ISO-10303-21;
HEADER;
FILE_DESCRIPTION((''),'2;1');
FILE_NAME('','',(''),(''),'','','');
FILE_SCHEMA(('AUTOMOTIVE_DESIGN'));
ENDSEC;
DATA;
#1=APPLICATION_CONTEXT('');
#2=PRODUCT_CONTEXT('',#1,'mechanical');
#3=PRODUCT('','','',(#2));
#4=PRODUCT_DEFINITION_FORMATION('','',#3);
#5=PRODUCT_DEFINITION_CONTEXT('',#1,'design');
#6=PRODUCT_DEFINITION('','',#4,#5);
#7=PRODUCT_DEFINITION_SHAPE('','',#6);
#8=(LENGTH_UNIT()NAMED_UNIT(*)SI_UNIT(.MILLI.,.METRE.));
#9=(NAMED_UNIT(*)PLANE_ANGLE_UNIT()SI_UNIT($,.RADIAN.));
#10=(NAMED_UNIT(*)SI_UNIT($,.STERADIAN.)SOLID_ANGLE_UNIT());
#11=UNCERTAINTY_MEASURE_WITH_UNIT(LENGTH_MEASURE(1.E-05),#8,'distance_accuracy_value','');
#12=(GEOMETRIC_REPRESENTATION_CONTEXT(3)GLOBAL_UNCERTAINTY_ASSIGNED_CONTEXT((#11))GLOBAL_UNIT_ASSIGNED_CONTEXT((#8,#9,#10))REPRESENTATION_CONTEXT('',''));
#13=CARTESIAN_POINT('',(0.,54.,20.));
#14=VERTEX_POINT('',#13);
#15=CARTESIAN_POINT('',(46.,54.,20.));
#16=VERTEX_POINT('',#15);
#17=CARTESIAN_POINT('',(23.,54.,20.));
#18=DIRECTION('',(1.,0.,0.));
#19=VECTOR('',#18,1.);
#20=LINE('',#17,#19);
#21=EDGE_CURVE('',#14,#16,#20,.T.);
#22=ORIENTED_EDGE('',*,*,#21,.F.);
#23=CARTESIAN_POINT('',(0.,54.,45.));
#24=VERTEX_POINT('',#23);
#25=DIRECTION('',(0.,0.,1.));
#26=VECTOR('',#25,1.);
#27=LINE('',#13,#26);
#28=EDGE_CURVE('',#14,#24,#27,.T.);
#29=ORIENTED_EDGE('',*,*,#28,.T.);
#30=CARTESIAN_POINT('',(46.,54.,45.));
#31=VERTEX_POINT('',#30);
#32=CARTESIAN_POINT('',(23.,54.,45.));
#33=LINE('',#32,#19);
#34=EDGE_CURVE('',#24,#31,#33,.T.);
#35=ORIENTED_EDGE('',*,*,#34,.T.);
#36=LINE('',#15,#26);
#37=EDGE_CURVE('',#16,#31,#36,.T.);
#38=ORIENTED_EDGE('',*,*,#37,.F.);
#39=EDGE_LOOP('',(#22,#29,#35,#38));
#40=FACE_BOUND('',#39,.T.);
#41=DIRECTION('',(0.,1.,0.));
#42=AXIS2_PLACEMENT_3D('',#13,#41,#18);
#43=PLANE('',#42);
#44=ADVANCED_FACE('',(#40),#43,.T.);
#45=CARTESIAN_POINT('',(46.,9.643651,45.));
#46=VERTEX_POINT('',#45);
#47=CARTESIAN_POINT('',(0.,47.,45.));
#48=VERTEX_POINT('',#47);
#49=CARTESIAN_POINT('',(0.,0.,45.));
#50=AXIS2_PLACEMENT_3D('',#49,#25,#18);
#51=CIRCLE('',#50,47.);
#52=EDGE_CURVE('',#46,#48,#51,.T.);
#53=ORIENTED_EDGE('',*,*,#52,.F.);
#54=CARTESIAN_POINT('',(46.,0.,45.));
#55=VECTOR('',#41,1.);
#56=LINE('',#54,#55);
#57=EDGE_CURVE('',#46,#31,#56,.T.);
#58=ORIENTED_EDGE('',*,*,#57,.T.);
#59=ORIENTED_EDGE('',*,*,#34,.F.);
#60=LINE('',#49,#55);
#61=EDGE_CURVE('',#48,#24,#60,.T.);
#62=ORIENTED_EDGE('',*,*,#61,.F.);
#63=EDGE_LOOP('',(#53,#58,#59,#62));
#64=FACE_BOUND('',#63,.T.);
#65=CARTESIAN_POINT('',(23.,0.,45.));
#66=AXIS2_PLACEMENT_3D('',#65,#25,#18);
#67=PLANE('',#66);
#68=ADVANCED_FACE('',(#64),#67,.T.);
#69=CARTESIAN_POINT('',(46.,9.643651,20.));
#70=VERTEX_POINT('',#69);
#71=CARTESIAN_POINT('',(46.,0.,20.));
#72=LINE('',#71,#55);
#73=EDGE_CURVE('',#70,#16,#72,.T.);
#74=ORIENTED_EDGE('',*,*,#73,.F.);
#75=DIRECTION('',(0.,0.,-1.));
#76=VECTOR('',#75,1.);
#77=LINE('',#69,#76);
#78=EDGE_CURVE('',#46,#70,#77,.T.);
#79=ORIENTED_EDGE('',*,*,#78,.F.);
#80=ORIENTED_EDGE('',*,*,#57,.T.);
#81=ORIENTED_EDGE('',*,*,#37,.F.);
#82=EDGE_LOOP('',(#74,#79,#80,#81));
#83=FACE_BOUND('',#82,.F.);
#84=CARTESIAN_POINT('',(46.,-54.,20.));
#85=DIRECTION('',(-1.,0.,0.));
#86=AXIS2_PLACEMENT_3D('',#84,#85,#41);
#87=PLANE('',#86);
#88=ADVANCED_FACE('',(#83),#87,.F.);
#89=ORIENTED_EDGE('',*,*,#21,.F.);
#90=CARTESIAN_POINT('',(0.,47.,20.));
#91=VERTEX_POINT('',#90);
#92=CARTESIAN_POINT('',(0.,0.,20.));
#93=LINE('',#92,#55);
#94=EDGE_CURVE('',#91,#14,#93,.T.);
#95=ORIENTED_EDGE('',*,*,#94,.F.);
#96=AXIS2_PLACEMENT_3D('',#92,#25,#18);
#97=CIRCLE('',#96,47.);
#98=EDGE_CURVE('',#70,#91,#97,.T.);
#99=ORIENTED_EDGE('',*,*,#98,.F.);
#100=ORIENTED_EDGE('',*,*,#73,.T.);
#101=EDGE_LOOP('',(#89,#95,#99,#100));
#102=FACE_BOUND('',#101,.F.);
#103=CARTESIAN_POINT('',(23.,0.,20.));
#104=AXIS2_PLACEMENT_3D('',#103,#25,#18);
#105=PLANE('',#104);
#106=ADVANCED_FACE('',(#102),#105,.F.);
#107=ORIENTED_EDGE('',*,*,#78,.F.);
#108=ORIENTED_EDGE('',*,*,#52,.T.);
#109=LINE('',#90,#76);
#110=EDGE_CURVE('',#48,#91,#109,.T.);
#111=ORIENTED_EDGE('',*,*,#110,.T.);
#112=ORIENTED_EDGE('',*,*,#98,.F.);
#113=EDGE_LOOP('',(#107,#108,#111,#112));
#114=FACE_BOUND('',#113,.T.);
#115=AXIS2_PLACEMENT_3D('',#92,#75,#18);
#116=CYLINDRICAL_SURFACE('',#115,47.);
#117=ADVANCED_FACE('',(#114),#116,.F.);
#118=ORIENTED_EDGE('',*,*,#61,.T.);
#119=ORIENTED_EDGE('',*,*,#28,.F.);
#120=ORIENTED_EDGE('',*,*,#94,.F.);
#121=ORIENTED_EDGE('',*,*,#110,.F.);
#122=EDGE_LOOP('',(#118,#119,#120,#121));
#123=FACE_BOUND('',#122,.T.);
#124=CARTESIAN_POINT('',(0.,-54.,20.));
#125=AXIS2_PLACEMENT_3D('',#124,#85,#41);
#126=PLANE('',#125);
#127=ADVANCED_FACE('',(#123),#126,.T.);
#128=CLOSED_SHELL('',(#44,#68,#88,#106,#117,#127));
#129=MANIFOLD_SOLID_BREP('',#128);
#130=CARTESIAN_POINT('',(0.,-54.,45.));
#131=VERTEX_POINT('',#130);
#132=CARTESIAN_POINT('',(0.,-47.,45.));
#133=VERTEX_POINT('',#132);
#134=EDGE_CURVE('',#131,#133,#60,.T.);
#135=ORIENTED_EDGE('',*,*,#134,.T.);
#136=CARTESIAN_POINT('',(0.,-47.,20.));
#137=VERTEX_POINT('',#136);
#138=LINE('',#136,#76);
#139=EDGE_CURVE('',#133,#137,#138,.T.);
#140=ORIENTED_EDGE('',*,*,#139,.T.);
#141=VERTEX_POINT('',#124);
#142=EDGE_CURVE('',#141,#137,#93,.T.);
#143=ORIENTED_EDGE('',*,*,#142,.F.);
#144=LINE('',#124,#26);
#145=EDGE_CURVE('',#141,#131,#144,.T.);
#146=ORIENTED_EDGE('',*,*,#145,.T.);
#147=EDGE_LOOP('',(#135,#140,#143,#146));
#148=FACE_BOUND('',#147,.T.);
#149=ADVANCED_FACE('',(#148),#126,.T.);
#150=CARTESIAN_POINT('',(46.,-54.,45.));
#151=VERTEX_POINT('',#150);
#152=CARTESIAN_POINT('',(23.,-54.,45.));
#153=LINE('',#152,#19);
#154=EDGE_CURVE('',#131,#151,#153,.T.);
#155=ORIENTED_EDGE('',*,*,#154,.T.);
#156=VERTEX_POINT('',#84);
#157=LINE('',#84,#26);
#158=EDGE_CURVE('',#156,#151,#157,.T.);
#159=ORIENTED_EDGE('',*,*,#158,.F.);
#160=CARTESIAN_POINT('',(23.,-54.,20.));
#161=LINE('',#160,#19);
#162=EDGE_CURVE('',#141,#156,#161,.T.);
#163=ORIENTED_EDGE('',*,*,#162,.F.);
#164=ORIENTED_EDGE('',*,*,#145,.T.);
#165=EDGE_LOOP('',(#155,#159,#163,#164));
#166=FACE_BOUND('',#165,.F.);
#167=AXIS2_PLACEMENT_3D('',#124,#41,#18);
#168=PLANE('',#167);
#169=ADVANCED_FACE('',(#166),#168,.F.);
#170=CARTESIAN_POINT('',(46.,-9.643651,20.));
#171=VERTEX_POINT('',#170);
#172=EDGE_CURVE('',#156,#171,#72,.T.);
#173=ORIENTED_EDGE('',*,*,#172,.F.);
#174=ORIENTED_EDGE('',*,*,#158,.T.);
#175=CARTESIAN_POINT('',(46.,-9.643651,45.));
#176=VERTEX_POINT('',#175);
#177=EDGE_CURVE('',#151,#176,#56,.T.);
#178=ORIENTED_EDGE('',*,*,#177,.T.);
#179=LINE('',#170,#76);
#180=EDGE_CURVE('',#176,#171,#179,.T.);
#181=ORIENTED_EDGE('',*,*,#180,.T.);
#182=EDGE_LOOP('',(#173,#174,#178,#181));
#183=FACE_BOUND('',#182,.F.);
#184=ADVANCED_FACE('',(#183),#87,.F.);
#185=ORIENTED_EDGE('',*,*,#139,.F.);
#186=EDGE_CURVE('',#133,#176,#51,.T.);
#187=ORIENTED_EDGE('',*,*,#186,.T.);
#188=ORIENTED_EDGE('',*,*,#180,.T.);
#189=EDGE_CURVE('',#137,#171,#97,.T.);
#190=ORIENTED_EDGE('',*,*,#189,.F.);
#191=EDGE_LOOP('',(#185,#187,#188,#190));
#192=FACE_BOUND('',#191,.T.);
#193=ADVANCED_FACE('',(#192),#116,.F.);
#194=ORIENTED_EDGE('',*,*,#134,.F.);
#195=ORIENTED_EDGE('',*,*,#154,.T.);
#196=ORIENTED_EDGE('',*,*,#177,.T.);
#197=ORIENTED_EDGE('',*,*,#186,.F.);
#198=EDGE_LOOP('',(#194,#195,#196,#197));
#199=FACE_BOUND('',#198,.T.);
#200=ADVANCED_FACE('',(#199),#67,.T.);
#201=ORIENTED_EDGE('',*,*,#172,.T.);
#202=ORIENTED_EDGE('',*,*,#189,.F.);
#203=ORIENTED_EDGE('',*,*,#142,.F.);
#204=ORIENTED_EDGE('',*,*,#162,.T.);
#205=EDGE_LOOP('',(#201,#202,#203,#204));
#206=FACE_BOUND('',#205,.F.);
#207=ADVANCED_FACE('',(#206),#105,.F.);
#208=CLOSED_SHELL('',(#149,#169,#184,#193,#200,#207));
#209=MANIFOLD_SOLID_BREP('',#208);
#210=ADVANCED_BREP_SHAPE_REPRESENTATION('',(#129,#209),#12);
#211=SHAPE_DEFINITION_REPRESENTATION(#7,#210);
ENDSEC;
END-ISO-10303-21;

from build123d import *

# Parameters (mm, degrees)
CYLINDER1172_R     = 47
CYLINDER1172_DEPTH = 25
BOX479_W           = 46
BOX479_H           = 108
BOX479_DEPTH       = 25


with BuildPart() as v_lec1172:
    # Cylinder1172 → Cylinder1172 (new body)
    with BuildSketch(Plane.XY.offset(20)):
        Circle(CYLINDER1172_R)
    extrude(amount=CYLINDER1172_DEPTH)


with BuildPart() as cut434:
    # Box479 → Box479 (new body)
    with BuildSketch(Plane(origin=(0, -54, 20), x_dir=(1, 0, 0), z_dir=(0, 0, 1))):
        with Locations((23, 54)):
            Rectangle(BOX479_W, BOX479_H)
    extrude(amount=BOX479_DEPTH)

    # Cut434: cut Válec1172
    add(v_lec1172.part, mode=Mode.SUBTRACT)


solid = cut434.part
